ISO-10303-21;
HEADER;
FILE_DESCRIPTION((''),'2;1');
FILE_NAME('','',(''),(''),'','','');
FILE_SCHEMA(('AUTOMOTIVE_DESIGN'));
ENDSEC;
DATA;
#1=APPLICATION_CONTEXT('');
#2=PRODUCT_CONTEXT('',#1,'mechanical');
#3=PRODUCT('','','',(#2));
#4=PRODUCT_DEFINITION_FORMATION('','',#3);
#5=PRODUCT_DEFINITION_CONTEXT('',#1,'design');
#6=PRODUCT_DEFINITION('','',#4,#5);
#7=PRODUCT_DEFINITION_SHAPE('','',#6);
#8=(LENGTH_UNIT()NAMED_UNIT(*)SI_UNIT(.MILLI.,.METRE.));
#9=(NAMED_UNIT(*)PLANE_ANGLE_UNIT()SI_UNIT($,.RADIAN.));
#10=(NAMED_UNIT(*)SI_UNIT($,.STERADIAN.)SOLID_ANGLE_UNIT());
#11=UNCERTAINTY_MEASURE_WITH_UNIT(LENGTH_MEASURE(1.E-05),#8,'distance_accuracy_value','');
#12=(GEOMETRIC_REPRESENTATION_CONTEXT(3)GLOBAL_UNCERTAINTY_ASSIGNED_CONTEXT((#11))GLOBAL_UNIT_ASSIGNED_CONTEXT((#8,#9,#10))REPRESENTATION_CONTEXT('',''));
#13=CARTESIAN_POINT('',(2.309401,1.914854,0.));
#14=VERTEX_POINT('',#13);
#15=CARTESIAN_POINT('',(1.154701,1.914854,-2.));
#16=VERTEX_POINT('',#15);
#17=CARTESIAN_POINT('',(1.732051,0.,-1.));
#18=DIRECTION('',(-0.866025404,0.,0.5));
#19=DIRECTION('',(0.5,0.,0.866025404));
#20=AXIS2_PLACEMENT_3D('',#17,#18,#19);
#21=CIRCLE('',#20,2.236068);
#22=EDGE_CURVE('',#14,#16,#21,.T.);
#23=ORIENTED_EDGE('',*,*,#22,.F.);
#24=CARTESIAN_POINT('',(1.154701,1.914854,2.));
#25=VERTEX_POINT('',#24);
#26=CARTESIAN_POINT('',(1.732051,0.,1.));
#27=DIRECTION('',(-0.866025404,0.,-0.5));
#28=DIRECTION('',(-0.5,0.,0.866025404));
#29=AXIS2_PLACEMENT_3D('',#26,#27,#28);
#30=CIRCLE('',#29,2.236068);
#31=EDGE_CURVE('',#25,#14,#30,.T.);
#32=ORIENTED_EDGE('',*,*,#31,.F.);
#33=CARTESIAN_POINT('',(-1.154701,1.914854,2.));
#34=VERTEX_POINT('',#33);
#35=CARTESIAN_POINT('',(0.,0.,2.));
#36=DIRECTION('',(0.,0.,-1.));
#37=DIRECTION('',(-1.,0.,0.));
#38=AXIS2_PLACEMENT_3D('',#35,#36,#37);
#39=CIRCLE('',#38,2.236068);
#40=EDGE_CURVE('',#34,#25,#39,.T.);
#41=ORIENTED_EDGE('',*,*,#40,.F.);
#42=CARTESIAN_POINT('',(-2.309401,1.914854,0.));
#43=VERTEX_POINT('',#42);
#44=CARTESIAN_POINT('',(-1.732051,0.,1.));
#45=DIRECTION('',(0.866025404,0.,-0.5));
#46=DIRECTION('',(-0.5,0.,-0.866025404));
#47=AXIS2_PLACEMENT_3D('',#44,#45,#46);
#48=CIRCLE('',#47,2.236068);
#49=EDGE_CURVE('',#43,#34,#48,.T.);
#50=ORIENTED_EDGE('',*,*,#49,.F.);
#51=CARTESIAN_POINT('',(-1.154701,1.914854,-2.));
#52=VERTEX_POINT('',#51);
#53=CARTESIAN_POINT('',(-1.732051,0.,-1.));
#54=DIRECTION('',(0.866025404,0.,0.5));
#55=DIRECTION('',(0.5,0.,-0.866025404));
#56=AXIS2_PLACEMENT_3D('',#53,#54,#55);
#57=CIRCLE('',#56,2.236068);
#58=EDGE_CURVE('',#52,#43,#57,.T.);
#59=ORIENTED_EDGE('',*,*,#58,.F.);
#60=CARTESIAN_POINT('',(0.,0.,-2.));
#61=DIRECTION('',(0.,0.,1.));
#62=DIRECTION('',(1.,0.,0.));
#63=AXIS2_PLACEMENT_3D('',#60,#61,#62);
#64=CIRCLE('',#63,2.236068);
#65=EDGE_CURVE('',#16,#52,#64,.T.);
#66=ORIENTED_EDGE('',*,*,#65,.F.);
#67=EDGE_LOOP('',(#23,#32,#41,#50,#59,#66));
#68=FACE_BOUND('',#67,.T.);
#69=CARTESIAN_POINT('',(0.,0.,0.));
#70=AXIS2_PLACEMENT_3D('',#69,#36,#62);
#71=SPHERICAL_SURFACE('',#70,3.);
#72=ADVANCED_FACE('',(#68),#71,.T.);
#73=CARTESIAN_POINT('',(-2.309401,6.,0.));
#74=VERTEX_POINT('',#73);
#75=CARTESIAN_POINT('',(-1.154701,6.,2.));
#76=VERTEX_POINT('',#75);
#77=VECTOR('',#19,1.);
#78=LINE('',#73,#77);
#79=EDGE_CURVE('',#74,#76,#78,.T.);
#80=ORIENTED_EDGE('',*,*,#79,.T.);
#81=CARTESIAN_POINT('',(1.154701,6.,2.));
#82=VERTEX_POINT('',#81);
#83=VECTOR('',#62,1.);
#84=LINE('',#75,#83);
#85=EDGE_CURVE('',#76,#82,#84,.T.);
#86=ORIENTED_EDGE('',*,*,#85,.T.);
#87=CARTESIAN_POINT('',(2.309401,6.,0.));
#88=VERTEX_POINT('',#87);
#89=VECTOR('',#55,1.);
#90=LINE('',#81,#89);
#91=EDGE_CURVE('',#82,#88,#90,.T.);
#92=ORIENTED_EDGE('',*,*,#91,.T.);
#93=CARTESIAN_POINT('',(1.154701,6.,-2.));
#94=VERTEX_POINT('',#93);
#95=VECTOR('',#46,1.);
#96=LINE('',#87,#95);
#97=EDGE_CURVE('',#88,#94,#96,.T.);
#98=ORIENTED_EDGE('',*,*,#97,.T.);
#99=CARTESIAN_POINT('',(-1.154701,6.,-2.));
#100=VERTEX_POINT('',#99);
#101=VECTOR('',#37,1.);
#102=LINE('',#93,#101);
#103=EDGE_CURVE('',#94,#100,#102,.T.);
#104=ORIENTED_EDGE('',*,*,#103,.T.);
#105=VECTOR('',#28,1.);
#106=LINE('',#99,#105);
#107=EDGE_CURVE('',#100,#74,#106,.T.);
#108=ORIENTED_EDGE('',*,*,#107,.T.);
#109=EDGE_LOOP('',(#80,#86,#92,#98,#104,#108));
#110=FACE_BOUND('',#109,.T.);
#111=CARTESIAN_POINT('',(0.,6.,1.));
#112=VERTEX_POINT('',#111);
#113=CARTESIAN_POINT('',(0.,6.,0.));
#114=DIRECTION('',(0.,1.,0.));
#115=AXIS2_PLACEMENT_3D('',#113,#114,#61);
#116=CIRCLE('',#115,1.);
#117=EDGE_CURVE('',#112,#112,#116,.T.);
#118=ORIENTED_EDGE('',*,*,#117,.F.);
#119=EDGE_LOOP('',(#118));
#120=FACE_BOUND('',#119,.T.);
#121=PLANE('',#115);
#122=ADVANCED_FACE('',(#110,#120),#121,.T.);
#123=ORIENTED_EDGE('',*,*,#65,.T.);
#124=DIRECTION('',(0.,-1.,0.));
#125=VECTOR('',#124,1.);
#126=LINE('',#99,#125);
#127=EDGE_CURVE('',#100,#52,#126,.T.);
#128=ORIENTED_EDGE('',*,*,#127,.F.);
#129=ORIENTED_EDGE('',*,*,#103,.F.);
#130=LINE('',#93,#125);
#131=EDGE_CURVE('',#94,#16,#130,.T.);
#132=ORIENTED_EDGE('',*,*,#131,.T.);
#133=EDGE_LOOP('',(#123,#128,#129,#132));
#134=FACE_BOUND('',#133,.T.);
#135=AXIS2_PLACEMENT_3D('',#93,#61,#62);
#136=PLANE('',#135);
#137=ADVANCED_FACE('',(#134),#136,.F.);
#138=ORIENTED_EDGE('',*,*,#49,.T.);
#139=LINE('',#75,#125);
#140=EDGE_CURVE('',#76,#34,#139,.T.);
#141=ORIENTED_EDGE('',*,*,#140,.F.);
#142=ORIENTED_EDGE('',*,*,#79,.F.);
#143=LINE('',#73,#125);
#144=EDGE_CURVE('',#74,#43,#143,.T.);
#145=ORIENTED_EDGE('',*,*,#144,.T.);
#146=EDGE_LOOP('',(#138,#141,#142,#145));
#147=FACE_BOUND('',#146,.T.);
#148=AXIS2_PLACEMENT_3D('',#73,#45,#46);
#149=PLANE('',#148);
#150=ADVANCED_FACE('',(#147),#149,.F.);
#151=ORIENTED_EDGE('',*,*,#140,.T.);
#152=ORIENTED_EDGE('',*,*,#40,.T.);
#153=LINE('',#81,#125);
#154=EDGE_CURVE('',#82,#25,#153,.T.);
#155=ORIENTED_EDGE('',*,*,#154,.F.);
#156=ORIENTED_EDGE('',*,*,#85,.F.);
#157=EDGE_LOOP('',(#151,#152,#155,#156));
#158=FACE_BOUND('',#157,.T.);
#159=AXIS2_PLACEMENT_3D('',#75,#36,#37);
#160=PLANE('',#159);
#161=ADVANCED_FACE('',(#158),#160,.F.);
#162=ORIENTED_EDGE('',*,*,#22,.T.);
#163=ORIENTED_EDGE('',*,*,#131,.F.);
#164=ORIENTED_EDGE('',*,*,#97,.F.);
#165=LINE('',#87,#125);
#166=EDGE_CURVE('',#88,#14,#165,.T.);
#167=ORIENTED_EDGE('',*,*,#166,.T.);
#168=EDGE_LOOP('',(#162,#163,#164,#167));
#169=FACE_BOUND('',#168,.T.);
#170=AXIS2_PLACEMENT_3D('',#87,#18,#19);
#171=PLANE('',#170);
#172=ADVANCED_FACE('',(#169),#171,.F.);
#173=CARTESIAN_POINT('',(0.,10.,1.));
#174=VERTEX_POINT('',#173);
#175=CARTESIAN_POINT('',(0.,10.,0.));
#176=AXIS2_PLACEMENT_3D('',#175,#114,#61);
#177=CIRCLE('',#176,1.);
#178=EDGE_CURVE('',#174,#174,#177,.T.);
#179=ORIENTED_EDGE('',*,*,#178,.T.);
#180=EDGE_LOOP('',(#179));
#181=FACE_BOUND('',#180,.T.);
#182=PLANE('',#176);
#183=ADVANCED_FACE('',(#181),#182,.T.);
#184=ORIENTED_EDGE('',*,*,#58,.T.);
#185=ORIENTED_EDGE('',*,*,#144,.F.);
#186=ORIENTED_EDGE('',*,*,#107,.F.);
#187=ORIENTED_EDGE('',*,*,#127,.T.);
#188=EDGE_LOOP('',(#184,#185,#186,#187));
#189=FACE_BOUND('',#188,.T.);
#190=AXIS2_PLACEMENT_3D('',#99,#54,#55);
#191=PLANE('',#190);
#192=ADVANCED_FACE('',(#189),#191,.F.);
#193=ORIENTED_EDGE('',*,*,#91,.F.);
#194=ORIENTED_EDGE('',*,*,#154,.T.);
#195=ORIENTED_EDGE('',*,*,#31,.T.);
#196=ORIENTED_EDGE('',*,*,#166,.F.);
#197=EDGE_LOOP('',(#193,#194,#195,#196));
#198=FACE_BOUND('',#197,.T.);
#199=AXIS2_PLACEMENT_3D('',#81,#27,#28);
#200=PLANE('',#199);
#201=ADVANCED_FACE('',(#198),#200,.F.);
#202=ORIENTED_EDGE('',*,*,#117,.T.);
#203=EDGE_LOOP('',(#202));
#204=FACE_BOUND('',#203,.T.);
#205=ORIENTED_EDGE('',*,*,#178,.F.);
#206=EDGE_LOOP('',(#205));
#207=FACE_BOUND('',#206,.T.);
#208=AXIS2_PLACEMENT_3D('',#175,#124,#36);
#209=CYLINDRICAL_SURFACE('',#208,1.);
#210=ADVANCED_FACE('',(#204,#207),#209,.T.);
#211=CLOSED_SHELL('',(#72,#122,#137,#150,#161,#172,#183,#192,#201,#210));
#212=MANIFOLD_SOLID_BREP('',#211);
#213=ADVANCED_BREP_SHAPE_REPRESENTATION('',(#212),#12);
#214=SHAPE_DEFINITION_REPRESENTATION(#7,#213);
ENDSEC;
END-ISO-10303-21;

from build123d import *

# Parameters (mm, degrees)
SKETCH_2_R      = 1
EXTRUDE_1_DEPTH = 10
EXTRUDE_2_DEPTH = 6


with BuildPart() as part:
    # 草图1 → 旋转1 (revolve)
    with BuildSketch(Plane(origin=(0, 0, 0), x_dir=(1, 0, 0), z_dir=(0, 1, 0))):
        with BuildLine():
            Line((0, 3), (0, -3))
            ThreePointArc((0, -3), (3, 0), (0, 3))
        make_face()
    revolve(axis=Axis((0, 0, -3), (0, 0, 1)))

    # 草图2 → 凸台-拉伸1 (add)
    with BuildSketch(Plane(origin=(0, 0, 0), x_dir=(1, 0, 0), z_dir=(0, 1, 0))):
        with Locations(Location((0, 0, 0), (0, 0, 90))):
            Circle(SKETCH_2_R)
    extrude(amount=EXTRUDE_1_DEPTH)

    # 草图3 → 凸台-拉伸2 (add)
    with BuildSketch(Plane(origin=(0, 0, 0), x_dir=(1, 0, 0), z_dir=(0, 1, 0))):
        Polygon((2.309401077, 0), (1.154700538, 2), (-1.154700538, 2), (-2.309401077, 0), (-1.154700538, -2), (1.154700538, -2), align=None)
    extrude(amount=EXTRUDE_2_DEPTH)


solid = part.part
